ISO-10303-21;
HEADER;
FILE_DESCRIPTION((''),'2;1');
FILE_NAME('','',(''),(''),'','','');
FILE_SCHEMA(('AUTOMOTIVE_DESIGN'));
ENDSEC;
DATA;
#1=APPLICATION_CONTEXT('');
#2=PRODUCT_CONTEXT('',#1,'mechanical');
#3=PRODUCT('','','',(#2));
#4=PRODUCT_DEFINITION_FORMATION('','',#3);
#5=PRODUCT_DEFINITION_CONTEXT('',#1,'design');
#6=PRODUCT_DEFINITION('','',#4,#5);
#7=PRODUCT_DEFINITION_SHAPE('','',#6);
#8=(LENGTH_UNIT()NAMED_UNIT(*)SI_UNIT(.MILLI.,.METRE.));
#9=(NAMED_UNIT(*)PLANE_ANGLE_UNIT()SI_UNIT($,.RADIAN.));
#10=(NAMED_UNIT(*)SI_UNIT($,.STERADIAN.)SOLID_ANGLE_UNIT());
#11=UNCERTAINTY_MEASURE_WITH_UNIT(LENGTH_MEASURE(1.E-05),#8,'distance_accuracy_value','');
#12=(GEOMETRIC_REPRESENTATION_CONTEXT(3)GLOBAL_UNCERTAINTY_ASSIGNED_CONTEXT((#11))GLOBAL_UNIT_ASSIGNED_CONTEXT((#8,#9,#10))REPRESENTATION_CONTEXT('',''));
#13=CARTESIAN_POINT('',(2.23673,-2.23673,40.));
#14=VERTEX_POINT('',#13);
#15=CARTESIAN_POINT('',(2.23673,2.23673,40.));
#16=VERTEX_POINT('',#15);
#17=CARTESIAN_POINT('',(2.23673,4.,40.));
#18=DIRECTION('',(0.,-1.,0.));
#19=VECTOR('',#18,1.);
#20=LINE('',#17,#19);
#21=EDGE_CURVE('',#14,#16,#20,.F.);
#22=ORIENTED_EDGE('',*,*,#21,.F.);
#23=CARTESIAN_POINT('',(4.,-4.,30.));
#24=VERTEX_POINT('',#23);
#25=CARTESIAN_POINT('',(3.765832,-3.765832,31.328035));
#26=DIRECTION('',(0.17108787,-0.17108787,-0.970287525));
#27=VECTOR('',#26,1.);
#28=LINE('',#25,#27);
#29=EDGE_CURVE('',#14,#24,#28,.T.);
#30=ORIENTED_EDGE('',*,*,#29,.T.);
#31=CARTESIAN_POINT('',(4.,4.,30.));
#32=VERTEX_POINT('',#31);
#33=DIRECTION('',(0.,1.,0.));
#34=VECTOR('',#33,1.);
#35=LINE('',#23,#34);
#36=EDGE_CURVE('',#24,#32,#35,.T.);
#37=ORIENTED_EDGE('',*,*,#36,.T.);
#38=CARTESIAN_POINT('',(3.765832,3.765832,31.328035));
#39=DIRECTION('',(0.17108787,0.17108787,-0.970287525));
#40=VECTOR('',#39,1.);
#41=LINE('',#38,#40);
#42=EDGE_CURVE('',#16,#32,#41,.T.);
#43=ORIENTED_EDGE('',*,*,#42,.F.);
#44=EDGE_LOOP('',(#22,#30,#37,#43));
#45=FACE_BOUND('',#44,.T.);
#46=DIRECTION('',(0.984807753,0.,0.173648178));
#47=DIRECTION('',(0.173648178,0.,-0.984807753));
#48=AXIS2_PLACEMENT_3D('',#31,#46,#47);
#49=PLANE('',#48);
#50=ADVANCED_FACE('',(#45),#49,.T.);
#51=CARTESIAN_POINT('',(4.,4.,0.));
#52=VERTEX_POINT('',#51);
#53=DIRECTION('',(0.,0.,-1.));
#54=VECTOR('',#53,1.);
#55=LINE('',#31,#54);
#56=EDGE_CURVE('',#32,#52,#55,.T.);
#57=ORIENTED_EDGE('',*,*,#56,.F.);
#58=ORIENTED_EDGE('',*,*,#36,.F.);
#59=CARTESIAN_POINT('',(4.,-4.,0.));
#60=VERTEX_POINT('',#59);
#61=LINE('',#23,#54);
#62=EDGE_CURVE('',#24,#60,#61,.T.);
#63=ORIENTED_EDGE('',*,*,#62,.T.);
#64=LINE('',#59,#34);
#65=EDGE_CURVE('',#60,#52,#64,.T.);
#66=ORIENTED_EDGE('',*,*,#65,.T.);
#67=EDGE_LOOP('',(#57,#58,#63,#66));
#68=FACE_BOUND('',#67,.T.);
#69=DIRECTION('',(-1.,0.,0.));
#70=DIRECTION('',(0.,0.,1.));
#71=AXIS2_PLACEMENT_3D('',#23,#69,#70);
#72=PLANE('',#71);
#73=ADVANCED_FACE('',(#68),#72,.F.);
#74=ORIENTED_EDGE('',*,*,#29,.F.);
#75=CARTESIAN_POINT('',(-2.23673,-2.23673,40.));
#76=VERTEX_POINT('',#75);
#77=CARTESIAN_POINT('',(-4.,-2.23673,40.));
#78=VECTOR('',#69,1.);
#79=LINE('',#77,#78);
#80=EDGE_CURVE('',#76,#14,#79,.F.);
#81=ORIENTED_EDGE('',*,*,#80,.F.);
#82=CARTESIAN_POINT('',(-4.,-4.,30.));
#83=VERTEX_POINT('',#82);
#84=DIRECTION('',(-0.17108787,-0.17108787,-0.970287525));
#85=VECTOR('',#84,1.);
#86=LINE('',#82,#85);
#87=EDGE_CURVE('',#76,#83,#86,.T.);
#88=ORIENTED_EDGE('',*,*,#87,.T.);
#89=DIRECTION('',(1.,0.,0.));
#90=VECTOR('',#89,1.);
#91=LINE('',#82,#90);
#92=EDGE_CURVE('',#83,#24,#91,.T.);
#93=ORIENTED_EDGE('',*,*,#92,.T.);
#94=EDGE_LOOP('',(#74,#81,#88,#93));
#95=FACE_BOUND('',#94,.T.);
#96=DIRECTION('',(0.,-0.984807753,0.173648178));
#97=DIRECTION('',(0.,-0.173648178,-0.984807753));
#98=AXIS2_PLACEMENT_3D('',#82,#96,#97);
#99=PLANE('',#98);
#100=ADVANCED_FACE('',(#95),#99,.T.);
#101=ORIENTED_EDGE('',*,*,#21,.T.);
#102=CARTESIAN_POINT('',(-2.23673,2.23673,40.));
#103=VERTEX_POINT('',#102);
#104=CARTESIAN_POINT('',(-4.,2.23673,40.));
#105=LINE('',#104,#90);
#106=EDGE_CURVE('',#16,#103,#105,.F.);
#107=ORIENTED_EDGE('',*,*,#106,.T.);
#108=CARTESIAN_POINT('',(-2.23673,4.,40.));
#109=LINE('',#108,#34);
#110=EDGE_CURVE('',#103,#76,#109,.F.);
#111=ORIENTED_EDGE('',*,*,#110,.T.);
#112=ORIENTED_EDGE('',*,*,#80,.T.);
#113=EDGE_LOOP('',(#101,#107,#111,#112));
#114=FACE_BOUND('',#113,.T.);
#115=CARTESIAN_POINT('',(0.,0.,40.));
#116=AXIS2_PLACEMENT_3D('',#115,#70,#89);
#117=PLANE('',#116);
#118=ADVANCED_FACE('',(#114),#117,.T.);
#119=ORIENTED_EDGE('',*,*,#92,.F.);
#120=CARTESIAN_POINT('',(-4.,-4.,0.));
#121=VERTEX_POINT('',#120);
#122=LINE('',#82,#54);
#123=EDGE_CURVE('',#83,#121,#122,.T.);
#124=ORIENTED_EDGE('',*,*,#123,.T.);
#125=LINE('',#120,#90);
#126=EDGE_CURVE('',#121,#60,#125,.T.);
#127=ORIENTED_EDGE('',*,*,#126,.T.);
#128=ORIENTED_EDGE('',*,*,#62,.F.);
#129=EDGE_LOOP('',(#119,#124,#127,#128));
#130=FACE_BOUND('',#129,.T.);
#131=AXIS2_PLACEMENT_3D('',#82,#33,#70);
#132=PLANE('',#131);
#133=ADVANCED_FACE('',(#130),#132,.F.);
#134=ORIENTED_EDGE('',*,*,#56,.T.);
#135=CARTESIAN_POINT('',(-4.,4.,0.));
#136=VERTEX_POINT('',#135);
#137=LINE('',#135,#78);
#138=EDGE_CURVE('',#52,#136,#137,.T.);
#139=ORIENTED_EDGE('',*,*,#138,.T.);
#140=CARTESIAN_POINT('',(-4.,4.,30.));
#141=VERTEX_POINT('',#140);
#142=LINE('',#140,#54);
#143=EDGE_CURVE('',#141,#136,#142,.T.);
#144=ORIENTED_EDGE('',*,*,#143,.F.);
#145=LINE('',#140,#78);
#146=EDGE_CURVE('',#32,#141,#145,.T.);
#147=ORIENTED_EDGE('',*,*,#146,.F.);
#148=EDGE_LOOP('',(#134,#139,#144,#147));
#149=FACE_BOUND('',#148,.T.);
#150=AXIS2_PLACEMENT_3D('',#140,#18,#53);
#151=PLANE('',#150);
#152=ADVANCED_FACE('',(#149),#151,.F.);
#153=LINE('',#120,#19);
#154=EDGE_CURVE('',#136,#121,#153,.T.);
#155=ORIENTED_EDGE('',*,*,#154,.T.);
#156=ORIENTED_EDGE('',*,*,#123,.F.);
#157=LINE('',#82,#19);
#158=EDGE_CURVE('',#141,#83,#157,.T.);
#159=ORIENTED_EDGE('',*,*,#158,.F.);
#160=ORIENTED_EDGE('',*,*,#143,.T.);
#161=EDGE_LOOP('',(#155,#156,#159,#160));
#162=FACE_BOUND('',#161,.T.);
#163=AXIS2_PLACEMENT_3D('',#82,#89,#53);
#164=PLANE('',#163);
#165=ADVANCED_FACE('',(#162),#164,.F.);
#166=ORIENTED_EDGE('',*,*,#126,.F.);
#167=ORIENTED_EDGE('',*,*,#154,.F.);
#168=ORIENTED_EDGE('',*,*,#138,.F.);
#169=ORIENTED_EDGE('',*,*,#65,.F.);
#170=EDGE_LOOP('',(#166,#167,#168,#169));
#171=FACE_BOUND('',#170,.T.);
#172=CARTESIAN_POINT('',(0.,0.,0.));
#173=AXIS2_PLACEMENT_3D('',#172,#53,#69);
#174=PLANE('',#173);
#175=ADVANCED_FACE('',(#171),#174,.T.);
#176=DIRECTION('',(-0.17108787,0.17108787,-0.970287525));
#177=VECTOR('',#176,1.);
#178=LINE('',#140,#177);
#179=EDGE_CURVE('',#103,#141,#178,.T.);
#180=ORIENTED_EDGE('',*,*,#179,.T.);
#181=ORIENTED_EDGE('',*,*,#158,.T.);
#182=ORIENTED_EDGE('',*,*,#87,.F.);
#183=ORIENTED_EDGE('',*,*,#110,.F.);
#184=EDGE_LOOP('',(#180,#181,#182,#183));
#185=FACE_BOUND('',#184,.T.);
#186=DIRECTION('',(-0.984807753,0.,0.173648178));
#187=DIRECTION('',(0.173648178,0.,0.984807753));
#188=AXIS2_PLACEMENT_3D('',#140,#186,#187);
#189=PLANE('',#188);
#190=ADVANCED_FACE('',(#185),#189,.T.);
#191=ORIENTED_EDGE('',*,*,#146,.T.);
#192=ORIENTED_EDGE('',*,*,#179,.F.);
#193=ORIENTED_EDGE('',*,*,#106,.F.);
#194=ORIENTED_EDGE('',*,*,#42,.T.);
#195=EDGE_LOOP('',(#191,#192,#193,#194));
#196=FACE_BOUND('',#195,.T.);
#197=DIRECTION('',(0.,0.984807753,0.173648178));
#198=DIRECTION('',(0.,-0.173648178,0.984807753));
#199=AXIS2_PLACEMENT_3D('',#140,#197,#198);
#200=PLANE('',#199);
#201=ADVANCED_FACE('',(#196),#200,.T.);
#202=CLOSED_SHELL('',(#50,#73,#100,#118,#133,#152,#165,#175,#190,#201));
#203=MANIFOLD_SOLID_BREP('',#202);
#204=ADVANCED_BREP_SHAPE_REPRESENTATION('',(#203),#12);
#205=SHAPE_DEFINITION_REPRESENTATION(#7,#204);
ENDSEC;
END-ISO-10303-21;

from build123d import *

# Parameters (mm, degrees)
SKETCH1_W           = 8
SKETCH1_H           = 8
BOSS_EXTRUDE1_DEPTH = 30
SKETCH2_W           = 8
SKETCH2_H           = 8
BOSS_EXTRUDE2_DEPTH = 10
BOSS_EXTRUDE2_TAPER = 10


with BuildPart() as part:
    # Sketch1 → Boss-Extrude1 (new body)
    with BuildSketch(Plane.XY):
        Rectangle(SKETCH1_W, SKETCH1_H)
    extrude(amount=BOSS_EXTRUDE1_DEPTH)

    # Sketch2 → Boss-Extrude2 (add)
    with BuildSketch(Plane.XY.offset(30)):
        Rectangle(SKETCH2_W, SKETCH2_H)
    extrude(amount=BOSS_EXTRUDE2_DEPTH, taper=BOSS_EXTRUDE2_TAPER)


solid = part.part
